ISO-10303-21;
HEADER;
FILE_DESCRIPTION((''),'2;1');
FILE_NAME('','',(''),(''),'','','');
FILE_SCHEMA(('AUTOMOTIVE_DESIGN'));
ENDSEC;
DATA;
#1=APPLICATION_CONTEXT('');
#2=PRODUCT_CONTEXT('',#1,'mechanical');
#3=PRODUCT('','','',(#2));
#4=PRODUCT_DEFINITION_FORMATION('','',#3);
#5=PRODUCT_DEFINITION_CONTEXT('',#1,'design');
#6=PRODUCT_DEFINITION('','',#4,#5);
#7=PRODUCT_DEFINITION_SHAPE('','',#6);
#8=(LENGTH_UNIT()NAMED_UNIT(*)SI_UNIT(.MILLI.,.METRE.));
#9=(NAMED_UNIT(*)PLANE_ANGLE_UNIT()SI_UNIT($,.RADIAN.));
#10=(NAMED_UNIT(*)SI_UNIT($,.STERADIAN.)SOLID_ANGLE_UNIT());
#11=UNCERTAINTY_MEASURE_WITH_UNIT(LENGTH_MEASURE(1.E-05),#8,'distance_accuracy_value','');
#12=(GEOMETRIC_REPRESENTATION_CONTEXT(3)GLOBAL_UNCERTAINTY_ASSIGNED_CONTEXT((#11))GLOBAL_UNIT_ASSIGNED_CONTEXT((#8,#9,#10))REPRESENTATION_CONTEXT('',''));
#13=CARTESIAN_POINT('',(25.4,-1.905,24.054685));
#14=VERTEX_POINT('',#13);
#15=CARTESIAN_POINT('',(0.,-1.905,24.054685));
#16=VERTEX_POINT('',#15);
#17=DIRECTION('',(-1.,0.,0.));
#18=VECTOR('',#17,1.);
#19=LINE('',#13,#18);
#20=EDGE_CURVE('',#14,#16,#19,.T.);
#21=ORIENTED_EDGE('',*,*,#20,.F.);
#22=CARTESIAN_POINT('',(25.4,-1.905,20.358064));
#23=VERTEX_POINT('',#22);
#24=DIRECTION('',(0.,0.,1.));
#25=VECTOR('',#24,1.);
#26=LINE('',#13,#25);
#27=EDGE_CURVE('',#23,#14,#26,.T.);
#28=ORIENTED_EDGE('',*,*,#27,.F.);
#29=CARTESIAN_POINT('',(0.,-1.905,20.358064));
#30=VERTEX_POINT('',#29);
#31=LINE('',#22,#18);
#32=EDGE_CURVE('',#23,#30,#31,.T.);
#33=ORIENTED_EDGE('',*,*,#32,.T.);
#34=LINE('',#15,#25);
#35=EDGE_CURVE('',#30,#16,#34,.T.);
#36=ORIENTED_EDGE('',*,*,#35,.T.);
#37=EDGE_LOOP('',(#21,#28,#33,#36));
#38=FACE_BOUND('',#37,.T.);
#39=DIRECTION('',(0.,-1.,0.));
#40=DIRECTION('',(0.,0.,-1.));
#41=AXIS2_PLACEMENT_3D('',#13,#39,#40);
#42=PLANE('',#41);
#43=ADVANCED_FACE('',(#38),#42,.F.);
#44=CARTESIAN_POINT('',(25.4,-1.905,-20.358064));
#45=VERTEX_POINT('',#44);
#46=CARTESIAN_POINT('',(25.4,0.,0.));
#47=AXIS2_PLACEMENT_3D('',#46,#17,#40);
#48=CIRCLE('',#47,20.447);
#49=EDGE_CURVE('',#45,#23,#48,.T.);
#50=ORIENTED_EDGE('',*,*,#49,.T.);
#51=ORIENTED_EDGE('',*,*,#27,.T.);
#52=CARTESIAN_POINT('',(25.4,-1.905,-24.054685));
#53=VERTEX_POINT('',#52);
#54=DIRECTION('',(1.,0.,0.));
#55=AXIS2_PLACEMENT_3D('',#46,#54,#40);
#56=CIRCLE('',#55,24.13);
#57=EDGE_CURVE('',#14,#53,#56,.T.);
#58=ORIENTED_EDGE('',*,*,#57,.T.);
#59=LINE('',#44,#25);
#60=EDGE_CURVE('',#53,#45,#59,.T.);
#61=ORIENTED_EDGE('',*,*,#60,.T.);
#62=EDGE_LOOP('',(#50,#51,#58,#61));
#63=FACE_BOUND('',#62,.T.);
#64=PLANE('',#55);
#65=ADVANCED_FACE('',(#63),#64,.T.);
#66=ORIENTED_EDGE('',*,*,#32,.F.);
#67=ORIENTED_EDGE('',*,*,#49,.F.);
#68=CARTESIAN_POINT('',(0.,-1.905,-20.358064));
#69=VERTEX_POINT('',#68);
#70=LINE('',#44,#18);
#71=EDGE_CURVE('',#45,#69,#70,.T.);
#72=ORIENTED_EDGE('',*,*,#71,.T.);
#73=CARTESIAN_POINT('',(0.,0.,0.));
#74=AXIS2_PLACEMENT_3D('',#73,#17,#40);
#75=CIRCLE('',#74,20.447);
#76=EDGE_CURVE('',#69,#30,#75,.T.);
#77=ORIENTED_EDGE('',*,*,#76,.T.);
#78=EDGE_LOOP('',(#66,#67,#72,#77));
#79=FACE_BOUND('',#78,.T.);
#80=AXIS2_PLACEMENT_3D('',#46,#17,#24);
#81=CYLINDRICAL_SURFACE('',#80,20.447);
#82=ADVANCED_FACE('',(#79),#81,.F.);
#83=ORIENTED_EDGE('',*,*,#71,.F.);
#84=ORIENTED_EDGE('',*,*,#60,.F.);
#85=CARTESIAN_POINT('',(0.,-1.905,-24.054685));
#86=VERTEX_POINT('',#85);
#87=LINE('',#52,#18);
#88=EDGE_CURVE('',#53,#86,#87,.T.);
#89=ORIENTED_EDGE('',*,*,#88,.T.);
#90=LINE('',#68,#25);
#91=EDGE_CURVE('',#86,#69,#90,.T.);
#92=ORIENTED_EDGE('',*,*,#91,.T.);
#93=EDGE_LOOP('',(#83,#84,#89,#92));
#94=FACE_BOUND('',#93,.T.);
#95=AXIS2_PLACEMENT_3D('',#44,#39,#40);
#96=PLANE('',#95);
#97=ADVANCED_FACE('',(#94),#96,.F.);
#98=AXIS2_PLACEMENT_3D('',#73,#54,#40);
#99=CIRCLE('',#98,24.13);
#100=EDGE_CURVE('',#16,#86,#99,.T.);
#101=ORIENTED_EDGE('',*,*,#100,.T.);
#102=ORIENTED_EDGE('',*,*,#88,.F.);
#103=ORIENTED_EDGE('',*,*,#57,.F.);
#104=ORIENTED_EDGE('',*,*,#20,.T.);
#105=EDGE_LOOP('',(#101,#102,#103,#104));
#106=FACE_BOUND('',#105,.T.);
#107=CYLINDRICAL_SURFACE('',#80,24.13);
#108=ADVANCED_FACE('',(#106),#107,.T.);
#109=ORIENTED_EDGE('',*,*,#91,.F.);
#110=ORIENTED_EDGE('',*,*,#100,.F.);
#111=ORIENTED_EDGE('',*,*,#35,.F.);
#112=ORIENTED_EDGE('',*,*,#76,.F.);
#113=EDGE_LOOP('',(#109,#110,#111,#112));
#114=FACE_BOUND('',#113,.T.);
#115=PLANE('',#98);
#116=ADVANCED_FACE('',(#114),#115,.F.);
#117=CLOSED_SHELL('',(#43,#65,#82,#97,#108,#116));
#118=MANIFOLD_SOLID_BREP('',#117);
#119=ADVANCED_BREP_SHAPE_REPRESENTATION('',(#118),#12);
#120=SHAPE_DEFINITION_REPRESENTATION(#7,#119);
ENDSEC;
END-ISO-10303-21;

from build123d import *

# Parameters (mm, degrees)
BOSS_EXTRUDE1_DEPTH = 25.4


with BuildPart() as part:
    # Sketch1 → Boss-Extrude1 (new body)
    with BuildSketch(Plane(origin=(0, 0, 0), x_dir=(0, 0, -1), z_dir=(1, 0, 0))):
        with BuildLine():
            Line((-24.054685095, -1.905), (-20.358064348, -1.905))
            ThreePointArc((-20.358064348, -1.905), (0, -20.447), (20.358064348, -1.905))
            Line((20.358064348, -1.905), (24.054685095, -1.905))
            ThreePointArc((24.054685095, -1.905), (0, -24.13), (-24.054685095, -1.905))
        make_face()
    extrude(amount=BOSS_EXTRUDE1_DEPTH)


solid = part.part
